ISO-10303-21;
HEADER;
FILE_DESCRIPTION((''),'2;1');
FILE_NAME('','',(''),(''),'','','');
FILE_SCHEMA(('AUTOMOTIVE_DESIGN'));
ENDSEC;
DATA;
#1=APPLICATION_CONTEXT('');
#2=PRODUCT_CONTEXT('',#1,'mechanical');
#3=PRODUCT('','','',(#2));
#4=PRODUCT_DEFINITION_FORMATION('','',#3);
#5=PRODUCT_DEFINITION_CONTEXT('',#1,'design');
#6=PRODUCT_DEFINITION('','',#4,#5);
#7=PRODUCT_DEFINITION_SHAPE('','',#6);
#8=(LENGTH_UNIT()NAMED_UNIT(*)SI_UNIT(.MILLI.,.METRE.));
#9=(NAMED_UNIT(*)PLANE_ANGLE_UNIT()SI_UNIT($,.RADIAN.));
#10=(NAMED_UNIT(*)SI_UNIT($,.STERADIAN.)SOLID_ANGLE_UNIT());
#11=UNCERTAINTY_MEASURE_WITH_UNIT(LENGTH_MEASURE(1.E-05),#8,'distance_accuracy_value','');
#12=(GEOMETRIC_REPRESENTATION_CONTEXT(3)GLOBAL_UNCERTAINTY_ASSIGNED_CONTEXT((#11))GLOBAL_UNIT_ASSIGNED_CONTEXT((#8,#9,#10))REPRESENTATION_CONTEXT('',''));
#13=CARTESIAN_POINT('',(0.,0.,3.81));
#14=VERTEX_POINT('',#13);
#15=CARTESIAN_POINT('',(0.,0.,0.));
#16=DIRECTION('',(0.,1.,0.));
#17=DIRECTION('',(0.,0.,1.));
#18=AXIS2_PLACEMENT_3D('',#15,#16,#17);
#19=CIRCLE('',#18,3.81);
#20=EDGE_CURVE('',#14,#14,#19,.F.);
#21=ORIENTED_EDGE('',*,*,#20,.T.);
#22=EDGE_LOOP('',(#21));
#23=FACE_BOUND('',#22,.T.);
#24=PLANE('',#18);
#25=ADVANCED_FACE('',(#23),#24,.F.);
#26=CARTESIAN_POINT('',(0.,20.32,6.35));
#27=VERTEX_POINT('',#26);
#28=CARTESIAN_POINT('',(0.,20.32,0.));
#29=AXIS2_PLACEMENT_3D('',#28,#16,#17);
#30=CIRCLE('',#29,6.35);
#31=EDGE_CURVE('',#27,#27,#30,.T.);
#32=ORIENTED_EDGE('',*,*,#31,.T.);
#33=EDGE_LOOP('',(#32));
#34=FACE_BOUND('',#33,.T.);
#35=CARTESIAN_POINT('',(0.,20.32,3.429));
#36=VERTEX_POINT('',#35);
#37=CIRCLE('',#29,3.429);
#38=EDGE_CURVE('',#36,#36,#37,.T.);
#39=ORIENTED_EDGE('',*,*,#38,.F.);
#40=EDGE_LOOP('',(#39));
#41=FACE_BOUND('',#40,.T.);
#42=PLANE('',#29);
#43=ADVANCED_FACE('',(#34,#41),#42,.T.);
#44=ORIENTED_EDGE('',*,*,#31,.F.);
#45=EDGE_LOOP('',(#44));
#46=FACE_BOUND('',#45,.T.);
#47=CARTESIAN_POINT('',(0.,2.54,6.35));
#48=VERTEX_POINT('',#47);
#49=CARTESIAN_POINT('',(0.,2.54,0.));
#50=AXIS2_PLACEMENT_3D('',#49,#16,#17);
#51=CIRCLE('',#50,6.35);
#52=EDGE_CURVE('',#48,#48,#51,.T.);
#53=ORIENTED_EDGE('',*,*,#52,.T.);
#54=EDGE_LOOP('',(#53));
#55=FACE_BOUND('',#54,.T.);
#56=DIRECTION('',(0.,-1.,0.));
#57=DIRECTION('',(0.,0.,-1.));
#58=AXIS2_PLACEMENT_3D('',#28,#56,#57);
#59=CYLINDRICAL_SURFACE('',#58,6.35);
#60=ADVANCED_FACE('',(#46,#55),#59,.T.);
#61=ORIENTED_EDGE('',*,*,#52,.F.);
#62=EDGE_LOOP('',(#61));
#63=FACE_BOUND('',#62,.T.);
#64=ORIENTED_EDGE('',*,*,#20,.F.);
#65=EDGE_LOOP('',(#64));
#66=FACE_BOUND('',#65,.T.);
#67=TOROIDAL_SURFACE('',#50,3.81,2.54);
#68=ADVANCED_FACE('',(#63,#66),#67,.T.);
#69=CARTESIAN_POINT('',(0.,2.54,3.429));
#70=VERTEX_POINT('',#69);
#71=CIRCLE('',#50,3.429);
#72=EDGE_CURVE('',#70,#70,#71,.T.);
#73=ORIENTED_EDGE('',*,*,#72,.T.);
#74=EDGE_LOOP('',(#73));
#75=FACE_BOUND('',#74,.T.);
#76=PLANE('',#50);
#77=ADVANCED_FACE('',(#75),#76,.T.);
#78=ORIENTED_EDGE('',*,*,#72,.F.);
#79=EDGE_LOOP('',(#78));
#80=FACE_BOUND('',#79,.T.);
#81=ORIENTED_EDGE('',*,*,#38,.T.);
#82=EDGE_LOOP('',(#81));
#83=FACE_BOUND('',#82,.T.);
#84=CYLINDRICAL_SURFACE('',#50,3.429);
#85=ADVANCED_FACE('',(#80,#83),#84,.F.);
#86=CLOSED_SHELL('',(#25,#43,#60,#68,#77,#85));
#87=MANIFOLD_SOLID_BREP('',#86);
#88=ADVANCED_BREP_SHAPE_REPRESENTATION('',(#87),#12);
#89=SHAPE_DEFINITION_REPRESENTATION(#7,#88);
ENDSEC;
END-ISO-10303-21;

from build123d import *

# Parameters (mm, degrees)
SKETCH1_R           = 6.35
BOSS_EXTRUDE1_DEPTH = 20.32
SKETCH2_R           = 3.429
CUT_EXTRUDE1_DEPTH  = 17.78
FILLET1_R           = 2.54


with BuildPart() as part:
    # Sketch1 → Boss-Extrude1 (new body)
    with BuildSketch(Plane(origin=(0, 0, 0), x_dir=(1, 0, 0), z_dir=(0, 1, 0))):
        with Locations(Location((0, 0, 0), (0, 0, 270))):
            Circle(SKETCH1_R)
    extrude(amount=BOSS_EXTRUDE1_DEPTH)

    # Sketch2 → Cut-Extrude1 (cut)
    with BuildSketch(Plane(origin=(0, 20.32, 0), x_dir=(1, 0, 0), z_dir=(0, 1, 0))):
        with Locations(Location((0, 0, 0), (0, 0, 270))):
            Circle(SKETCH2_R)
    extrude(amount=-CUT_EXTRUDE1_DEPTH, mode=Mode.SUBTRACT)

    # Fillet1
    fillet1_edges = [part.edges().sort_by_distance(p)[0] for p in [
        (0, 0, -6.35),
    ]]
    fillet(fillet1_edges, radius=FILLET1_R)


solid = part.part
